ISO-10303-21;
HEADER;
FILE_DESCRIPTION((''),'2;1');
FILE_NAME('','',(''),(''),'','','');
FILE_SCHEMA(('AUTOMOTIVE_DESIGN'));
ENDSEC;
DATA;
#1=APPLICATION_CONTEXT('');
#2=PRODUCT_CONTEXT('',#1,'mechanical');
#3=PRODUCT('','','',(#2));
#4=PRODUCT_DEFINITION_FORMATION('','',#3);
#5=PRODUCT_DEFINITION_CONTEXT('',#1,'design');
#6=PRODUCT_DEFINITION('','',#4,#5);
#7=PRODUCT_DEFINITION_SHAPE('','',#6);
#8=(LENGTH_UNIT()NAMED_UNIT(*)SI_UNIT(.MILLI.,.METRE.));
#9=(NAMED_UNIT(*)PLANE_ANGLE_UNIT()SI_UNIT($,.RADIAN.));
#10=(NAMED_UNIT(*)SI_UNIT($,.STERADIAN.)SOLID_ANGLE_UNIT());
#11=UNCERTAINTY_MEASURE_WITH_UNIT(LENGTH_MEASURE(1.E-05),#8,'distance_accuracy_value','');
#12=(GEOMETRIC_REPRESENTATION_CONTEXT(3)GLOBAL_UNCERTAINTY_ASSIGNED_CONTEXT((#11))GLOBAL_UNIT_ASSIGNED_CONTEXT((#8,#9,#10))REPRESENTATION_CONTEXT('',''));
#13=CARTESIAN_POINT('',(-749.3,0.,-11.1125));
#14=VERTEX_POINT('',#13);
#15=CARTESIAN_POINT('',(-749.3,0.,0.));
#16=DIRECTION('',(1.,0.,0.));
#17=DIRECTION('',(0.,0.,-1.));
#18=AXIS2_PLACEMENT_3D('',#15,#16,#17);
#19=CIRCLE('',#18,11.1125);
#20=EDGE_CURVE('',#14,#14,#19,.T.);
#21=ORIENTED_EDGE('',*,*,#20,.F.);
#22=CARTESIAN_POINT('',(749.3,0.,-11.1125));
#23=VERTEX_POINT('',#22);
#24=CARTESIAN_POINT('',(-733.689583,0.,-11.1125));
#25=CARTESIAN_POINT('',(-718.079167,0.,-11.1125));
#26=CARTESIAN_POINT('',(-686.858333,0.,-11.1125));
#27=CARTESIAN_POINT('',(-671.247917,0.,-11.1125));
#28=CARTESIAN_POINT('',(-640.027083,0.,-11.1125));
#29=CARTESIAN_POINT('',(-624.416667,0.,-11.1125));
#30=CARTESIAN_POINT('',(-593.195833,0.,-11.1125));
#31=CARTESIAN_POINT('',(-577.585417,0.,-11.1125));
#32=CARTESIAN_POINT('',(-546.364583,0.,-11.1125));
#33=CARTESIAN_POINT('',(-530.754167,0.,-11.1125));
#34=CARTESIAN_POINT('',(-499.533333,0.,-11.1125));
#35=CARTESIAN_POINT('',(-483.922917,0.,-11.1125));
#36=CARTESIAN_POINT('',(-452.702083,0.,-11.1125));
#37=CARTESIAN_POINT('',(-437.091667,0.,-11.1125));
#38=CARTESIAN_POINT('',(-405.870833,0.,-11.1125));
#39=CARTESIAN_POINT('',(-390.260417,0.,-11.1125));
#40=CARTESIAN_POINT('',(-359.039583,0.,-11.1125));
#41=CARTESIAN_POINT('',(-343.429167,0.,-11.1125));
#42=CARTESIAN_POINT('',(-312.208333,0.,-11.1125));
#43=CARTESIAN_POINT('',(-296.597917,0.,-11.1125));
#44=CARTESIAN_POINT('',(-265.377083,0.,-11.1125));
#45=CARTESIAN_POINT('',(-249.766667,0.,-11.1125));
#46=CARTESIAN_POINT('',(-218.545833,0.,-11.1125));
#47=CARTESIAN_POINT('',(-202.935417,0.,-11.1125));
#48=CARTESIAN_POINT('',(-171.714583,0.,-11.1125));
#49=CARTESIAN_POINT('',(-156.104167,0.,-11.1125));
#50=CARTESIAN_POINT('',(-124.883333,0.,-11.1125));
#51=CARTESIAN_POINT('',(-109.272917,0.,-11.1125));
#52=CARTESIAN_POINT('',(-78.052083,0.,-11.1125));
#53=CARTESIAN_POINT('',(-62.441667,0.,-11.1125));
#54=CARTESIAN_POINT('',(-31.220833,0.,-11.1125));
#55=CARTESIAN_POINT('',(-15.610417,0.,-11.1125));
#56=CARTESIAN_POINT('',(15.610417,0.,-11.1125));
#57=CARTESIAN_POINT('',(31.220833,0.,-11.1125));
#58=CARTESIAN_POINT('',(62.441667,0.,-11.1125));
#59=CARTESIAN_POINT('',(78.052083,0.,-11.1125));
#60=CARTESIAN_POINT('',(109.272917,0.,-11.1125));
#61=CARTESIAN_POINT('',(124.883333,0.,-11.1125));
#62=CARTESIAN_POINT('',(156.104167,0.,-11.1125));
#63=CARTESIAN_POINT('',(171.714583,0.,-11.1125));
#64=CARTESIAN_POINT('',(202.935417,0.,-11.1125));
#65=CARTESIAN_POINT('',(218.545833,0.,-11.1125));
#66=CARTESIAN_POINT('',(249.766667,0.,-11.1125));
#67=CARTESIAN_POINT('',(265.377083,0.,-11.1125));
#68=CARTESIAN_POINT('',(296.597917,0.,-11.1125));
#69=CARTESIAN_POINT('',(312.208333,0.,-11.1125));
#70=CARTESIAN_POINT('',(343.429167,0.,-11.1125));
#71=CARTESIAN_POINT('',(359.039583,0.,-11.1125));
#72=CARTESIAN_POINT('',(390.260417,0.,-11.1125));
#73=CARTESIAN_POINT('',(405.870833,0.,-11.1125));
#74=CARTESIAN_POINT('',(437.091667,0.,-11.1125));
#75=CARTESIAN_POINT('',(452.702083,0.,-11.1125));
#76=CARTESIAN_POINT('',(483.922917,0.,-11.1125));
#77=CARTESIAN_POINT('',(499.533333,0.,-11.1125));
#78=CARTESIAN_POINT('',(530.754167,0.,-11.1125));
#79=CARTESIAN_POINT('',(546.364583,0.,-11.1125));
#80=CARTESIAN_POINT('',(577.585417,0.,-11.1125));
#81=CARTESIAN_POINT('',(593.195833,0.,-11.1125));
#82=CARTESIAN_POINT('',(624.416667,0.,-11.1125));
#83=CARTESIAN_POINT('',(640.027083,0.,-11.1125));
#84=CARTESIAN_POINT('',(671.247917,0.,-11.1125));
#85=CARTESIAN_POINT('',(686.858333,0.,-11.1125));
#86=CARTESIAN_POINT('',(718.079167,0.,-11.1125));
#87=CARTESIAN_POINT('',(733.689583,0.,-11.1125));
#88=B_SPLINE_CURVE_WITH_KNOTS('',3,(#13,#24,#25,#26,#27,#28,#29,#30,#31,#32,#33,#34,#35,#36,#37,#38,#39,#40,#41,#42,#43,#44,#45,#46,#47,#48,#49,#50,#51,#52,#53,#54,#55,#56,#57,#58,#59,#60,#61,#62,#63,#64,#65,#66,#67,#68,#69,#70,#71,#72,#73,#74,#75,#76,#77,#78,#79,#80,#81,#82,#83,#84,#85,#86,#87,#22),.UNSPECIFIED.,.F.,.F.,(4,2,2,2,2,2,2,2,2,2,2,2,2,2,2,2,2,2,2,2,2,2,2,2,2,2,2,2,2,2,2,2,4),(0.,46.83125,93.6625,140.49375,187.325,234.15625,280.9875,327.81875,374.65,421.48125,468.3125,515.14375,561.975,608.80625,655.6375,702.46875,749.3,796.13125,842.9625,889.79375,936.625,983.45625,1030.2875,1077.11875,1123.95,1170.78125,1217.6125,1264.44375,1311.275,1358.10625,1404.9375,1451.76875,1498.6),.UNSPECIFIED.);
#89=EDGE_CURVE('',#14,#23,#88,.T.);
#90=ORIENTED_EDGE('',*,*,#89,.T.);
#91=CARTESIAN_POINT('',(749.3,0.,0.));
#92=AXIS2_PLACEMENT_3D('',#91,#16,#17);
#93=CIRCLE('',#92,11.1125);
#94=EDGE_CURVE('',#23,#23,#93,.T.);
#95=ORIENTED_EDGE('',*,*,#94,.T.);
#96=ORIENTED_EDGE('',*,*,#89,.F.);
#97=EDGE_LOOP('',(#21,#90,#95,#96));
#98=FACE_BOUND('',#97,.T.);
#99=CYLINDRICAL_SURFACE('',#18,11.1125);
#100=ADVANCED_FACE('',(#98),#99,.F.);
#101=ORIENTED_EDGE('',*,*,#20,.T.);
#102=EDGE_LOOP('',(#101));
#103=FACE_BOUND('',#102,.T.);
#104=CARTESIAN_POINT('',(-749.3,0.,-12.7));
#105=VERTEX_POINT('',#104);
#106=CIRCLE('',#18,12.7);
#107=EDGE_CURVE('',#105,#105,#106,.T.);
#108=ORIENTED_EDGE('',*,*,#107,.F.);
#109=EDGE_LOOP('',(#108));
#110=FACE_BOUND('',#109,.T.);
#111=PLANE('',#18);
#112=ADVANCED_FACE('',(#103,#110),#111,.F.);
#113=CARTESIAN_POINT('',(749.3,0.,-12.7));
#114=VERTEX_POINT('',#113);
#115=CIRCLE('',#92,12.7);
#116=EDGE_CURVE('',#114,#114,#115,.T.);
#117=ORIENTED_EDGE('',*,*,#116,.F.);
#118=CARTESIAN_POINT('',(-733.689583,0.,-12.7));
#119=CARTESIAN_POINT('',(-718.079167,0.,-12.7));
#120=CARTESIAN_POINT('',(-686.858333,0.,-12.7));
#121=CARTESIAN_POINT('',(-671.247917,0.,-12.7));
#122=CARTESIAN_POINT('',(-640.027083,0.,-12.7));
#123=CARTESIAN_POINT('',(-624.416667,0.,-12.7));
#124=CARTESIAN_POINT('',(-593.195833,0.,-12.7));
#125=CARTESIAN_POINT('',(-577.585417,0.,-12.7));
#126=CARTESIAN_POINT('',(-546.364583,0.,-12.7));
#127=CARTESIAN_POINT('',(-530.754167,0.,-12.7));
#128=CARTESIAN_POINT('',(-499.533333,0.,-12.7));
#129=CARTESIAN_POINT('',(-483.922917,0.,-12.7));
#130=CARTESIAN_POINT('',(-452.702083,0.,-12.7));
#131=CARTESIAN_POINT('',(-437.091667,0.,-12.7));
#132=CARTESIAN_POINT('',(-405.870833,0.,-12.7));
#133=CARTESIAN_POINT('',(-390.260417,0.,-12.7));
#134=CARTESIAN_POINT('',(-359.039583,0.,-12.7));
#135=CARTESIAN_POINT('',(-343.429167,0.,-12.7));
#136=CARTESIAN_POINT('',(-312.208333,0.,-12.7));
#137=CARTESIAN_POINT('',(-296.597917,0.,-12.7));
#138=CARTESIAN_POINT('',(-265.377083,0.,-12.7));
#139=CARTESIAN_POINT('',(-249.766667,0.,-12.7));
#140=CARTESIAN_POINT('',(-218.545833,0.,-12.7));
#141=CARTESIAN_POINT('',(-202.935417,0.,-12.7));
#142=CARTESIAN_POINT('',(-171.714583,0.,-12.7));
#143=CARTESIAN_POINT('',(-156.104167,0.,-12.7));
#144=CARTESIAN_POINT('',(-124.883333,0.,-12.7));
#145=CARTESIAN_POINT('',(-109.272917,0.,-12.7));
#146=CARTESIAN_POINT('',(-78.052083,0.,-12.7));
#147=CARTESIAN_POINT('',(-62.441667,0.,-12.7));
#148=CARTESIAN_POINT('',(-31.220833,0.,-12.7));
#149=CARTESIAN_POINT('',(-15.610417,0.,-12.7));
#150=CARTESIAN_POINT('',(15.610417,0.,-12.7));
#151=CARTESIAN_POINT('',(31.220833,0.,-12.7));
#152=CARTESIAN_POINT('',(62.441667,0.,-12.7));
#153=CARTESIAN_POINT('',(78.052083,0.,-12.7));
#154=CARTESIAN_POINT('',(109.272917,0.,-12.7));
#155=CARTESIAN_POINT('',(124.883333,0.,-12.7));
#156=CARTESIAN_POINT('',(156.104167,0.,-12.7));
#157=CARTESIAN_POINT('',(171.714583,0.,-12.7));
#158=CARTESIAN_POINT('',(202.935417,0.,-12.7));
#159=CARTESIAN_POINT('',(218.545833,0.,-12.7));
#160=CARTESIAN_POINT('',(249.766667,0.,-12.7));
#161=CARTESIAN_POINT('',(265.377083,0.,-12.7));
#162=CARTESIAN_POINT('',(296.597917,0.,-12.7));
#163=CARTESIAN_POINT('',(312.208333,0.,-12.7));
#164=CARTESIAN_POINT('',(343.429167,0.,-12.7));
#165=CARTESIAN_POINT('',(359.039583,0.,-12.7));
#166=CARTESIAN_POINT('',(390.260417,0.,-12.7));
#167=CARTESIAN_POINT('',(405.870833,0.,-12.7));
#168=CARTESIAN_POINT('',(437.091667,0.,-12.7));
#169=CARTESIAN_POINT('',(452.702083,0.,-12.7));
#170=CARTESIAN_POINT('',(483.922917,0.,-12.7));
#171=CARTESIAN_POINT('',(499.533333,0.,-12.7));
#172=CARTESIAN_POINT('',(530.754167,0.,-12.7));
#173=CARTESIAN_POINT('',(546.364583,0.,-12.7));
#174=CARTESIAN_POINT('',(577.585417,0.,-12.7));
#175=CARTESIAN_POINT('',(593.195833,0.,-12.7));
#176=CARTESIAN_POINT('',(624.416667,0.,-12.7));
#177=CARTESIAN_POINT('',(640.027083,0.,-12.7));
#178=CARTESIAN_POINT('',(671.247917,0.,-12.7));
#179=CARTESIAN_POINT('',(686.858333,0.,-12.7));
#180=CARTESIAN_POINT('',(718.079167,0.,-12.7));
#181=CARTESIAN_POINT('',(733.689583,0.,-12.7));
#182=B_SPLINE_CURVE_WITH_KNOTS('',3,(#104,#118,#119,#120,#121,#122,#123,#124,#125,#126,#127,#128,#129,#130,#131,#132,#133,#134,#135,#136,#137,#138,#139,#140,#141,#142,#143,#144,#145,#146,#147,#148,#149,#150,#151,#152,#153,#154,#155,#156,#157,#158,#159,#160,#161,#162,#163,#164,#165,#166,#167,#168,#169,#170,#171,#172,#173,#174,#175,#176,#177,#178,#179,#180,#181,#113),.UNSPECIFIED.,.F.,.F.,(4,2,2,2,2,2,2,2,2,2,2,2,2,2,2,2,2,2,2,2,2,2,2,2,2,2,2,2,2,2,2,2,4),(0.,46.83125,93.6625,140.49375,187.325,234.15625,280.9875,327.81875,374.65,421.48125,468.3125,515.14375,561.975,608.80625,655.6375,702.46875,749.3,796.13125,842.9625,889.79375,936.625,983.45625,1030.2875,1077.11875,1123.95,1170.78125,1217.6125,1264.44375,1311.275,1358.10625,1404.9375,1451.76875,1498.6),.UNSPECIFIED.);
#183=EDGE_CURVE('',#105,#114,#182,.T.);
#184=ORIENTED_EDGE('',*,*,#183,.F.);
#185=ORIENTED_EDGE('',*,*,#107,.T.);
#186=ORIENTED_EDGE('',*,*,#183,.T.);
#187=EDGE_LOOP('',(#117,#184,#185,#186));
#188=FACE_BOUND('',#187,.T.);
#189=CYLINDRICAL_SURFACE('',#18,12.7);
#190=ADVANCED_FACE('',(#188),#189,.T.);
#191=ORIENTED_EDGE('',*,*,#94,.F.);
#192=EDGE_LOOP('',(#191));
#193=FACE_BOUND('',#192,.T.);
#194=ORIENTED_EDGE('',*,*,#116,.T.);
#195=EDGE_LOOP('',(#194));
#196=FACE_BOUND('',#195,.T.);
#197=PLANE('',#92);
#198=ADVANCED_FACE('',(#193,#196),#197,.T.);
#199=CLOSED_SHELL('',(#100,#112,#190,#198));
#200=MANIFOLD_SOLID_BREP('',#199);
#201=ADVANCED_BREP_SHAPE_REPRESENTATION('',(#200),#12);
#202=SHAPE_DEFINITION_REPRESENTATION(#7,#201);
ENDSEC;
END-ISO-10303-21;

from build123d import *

# Parameters (mm, degrees)
BOSS_EXTRUDE1_DEPTH      = 749.3
BOSS_EXTRUDE1_DEPTH_BACK = 749.3
SKETCH1_R                = 12.7
SKETCH1_R_2              = 11.1125


with BuildPart() as part:
    # Sketch1 → Boss-Extrude1 (new, two sides: drawn at the far end of the back side and taken through both)
    with BuildSketch(Plane(origin=(0, 0, 0), x_dir=(0, 0, -1), z_dir=(1, 0, 0)).offset(-BOSS_EXTRUDE1_DEPTH_BACK)):
        Circle(SKETCH1_R)
        Circle(SKETCH1_R_2, mode=Mode.SUBTRACT)
    extrude(amount=BOSS_EXTRUDE1_DEPTH + BOSS_EXTRUDE1_DEPTH_BACK)


solid = part.part
